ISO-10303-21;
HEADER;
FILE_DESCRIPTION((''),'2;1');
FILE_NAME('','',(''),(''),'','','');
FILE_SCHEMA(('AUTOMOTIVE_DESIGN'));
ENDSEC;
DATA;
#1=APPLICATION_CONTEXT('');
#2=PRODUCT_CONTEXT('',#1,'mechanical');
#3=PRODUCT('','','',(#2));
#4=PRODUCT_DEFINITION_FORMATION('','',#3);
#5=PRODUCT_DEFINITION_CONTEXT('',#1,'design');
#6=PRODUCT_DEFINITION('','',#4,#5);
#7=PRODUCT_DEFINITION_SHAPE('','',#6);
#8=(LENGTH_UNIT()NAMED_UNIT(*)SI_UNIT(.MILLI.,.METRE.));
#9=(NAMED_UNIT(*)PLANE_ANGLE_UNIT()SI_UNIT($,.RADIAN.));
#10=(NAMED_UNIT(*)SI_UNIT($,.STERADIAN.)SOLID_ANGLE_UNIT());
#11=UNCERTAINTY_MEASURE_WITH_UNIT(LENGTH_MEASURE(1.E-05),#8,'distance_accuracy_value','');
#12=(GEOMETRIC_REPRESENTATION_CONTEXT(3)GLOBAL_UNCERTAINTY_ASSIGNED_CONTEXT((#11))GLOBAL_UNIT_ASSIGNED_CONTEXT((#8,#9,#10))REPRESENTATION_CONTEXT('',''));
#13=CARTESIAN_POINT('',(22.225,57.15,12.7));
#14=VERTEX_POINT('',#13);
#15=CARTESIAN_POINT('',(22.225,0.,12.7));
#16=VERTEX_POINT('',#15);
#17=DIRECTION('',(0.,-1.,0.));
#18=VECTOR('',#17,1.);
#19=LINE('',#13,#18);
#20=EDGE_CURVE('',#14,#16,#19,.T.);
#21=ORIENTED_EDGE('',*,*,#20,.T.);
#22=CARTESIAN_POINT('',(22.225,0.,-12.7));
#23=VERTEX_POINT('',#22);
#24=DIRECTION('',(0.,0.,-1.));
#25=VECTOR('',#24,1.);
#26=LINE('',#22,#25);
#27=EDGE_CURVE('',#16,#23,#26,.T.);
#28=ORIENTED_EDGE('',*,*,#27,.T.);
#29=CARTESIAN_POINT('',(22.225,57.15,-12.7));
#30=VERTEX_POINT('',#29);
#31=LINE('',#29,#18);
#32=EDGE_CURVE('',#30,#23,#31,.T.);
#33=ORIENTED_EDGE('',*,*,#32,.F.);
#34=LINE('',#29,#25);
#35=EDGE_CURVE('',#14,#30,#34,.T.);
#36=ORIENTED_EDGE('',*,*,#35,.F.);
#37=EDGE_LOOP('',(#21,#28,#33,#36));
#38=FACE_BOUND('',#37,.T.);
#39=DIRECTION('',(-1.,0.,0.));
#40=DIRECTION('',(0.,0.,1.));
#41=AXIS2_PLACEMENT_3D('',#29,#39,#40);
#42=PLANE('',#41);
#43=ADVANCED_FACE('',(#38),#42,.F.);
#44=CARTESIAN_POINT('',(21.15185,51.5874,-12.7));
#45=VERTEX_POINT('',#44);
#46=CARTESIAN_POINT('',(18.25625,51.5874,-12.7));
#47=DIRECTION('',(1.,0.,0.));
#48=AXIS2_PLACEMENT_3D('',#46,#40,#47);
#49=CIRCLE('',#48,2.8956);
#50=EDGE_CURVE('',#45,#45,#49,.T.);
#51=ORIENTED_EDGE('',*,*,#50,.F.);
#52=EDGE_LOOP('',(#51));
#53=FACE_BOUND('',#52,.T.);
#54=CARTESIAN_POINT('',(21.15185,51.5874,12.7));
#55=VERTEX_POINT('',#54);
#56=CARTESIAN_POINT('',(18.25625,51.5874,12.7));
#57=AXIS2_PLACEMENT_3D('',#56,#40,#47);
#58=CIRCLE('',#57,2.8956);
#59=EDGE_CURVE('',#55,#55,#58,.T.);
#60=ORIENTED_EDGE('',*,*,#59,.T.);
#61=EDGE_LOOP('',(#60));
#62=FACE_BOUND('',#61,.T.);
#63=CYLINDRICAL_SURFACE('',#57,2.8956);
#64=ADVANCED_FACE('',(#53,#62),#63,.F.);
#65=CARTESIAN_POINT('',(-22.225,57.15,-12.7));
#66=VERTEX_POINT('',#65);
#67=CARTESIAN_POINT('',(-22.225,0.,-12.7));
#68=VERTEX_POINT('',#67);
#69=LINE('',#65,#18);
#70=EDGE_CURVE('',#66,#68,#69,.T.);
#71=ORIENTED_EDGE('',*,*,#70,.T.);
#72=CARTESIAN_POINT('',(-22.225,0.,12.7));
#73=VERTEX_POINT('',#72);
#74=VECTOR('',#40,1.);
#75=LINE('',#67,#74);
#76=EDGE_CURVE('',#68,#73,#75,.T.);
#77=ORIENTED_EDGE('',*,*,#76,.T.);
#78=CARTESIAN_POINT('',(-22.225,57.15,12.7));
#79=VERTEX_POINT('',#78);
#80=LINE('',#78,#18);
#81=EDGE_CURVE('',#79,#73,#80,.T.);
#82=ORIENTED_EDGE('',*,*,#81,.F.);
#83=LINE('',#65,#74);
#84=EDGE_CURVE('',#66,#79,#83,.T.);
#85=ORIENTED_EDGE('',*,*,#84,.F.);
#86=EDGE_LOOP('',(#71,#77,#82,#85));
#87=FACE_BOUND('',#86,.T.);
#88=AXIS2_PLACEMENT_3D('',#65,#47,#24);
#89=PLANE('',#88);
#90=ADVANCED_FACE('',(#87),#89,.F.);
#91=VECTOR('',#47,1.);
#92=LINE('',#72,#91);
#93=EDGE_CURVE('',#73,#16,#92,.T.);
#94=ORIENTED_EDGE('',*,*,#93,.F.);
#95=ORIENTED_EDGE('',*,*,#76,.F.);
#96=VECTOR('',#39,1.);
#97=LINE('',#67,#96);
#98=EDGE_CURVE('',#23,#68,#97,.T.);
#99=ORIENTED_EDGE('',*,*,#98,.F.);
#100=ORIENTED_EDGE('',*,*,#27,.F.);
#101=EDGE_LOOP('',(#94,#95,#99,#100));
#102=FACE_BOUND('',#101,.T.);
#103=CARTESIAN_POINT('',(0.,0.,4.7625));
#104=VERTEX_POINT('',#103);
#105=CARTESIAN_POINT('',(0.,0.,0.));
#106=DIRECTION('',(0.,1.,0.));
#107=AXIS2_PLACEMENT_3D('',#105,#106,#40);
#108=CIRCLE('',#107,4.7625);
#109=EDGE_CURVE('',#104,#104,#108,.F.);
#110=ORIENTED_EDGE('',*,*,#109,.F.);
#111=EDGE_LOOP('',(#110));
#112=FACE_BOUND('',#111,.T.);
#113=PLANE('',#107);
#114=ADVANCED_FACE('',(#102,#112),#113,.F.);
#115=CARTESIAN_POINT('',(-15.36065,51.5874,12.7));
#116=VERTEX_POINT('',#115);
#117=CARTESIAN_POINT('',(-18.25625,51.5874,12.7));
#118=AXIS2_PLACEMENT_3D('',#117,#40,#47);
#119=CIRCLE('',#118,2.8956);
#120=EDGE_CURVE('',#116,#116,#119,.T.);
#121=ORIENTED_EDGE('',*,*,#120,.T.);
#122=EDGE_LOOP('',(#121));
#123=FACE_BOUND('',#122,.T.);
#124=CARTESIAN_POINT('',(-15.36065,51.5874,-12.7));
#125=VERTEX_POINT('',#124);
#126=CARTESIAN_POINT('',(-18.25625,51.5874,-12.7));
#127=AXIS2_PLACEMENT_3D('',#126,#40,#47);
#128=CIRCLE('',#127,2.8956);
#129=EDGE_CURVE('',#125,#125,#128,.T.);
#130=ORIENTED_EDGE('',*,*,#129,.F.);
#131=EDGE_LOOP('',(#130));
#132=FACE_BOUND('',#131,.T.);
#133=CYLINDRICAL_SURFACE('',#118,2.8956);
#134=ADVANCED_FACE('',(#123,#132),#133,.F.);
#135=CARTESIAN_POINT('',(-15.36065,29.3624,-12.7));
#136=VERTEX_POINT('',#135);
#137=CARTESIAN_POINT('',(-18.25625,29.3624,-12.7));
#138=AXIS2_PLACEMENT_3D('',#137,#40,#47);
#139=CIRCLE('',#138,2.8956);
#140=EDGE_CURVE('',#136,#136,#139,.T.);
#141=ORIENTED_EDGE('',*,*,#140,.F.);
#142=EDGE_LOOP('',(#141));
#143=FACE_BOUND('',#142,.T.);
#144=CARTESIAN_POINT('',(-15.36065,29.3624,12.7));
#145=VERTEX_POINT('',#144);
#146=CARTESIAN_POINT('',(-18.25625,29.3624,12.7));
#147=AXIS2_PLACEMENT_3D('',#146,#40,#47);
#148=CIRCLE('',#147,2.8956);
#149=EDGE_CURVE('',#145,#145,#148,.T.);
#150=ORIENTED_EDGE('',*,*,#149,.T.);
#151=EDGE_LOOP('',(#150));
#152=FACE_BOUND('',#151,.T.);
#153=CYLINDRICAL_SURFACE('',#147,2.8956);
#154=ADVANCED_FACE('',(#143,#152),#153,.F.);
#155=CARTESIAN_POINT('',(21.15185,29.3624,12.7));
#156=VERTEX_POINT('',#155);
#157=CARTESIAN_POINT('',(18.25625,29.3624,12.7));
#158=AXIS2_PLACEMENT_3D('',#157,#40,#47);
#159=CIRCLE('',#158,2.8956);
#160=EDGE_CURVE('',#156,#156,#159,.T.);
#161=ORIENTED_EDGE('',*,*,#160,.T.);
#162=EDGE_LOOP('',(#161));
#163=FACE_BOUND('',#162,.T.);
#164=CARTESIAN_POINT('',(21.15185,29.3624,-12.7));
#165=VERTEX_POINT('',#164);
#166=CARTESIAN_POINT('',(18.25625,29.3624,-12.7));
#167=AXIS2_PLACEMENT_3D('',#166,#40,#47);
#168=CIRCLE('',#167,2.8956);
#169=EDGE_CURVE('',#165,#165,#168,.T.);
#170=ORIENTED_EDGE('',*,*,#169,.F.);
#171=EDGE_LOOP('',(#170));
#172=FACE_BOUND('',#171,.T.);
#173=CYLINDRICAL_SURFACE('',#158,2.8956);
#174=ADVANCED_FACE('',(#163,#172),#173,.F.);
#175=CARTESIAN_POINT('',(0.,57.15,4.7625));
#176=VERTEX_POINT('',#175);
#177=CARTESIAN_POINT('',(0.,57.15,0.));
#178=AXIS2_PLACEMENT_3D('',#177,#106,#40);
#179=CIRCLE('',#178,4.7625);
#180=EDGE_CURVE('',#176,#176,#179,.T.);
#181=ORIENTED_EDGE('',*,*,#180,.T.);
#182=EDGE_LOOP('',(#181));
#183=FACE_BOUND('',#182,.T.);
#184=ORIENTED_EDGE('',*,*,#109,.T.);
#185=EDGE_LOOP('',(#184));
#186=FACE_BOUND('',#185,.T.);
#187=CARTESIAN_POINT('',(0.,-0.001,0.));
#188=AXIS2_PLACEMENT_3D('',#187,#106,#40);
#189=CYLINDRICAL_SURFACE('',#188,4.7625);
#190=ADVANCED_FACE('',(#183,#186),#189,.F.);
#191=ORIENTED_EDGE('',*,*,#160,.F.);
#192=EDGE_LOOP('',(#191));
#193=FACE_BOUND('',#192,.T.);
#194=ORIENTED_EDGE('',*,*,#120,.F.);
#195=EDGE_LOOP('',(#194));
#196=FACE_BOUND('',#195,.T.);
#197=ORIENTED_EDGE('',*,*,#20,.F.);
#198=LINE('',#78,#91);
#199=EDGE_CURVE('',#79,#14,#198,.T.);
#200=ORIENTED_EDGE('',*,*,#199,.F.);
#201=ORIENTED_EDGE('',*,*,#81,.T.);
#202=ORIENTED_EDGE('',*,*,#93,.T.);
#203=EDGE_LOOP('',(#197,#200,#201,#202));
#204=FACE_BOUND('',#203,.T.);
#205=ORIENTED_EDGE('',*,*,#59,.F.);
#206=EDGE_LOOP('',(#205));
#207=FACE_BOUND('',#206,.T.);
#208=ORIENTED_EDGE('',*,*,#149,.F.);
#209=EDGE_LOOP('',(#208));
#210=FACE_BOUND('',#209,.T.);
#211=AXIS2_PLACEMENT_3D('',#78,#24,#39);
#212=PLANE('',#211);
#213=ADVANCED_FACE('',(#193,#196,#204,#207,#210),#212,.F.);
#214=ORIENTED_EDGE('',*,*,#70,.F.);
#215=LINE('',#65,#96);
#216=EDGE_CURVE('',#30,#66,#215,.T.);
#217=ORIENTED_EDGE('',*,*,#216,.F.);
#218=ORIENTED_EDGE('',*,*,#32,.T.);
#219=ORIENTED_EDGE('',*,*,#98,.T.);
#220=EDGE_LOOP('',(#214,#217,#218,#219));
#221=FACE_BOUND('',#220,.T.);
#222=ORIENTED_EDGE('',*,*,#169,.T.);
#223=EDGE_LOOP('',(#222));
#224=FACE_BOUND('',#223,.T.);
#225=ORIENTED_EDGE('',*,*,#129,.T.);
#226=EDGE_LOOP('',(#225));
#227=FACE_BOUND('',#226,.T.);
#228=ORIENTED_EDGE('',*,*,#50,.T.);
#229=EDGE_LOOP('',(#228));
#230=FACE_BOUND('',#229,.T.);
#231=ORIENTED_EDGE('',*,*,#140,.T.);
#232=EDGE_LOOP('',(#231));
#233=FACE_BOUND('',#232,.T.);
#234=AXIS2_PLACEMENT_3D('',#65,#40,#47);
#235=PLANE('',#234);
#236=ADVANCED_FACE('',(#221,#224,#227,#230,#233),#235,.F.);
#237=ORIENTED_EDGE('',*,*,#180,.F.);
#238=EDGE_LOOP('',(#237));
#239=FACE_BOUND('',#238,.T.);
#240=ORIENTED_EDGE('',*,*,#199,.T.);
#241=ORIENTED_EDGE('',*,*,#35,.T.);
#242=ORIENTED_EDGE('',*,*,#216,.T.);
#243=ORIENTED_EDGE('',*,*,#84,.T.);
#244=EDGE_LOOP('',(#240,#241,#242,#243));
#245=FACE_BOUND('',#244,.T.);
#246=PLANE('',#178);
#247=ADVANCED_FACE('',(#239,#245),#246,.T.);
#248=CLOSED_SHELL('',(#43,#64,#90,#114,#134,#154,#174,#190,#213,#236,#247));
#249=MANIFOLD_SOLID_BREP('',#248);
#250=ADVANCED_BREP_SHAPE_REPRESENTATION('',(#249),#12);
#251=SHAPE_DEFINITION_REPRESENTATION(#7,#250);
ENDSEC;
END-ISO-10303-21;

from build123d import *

# Parameters (mm, degrees)
SKETCH1_W              = 44.45
SKETCH1_H              = 25.4
BOSS_EXTRUDE1_DEPTH    = 57.15
CUT_EXTRUDE1_REACH     = 64.621
SKETCH2_R              = 4.7625
F_12_CLEARANCE_HOLE1_D = 5.7912


with BuildPart() as part:
    # Sketch1 → Boss-Extrude1 (new body)
    with BuildSketch(Plane(origin=(0, 0, 0), x_dir=(1, 0, 0), z_dir=(0, 1, 0))):
        Rectangle(SKETCH1_W, SKETCH1_H)
    extrude(amount=BOSS_EXTRUDE1_DEPTH)

    # Sketch2 → Cut-Extrude1 (cut, up to next)
    with BuildSketch(Plane(origin=(0, 57.15, 0), x_dir=(1, 0, 0), z_dir=(0, 1, 0)), mode=Mode.PRIVATE) as cut_extrude1_sk1:
        with Locations(Location((0, 0, 0), (0, 0, 270))):
            Circle(SKETCH2_R)
    cut_extrude1_tool1 = extrude(cut_extrude1_sk1.sketch, amount=-CUT_EXTRUDE1_REACH, mode=Mode.PRIVATE) & part.part
    add(cut_extrude1_tool1.solids().sort_by_distance((0, 57.15, 0))[0], mode=Mode.SUBTRACT)

    # #12 Clearance Hole1 (through all)
    with Locations(Plane.XY.offset(12.7)):
        with Locations((-18.25625, 51.5874), (18.25625, 29.3624), (-18.25625, 29.3624), (18.25625, 51.5874)):
            Hole(F_12_CLEARANCE_HOLE1_D / 2)


solid = part.part
